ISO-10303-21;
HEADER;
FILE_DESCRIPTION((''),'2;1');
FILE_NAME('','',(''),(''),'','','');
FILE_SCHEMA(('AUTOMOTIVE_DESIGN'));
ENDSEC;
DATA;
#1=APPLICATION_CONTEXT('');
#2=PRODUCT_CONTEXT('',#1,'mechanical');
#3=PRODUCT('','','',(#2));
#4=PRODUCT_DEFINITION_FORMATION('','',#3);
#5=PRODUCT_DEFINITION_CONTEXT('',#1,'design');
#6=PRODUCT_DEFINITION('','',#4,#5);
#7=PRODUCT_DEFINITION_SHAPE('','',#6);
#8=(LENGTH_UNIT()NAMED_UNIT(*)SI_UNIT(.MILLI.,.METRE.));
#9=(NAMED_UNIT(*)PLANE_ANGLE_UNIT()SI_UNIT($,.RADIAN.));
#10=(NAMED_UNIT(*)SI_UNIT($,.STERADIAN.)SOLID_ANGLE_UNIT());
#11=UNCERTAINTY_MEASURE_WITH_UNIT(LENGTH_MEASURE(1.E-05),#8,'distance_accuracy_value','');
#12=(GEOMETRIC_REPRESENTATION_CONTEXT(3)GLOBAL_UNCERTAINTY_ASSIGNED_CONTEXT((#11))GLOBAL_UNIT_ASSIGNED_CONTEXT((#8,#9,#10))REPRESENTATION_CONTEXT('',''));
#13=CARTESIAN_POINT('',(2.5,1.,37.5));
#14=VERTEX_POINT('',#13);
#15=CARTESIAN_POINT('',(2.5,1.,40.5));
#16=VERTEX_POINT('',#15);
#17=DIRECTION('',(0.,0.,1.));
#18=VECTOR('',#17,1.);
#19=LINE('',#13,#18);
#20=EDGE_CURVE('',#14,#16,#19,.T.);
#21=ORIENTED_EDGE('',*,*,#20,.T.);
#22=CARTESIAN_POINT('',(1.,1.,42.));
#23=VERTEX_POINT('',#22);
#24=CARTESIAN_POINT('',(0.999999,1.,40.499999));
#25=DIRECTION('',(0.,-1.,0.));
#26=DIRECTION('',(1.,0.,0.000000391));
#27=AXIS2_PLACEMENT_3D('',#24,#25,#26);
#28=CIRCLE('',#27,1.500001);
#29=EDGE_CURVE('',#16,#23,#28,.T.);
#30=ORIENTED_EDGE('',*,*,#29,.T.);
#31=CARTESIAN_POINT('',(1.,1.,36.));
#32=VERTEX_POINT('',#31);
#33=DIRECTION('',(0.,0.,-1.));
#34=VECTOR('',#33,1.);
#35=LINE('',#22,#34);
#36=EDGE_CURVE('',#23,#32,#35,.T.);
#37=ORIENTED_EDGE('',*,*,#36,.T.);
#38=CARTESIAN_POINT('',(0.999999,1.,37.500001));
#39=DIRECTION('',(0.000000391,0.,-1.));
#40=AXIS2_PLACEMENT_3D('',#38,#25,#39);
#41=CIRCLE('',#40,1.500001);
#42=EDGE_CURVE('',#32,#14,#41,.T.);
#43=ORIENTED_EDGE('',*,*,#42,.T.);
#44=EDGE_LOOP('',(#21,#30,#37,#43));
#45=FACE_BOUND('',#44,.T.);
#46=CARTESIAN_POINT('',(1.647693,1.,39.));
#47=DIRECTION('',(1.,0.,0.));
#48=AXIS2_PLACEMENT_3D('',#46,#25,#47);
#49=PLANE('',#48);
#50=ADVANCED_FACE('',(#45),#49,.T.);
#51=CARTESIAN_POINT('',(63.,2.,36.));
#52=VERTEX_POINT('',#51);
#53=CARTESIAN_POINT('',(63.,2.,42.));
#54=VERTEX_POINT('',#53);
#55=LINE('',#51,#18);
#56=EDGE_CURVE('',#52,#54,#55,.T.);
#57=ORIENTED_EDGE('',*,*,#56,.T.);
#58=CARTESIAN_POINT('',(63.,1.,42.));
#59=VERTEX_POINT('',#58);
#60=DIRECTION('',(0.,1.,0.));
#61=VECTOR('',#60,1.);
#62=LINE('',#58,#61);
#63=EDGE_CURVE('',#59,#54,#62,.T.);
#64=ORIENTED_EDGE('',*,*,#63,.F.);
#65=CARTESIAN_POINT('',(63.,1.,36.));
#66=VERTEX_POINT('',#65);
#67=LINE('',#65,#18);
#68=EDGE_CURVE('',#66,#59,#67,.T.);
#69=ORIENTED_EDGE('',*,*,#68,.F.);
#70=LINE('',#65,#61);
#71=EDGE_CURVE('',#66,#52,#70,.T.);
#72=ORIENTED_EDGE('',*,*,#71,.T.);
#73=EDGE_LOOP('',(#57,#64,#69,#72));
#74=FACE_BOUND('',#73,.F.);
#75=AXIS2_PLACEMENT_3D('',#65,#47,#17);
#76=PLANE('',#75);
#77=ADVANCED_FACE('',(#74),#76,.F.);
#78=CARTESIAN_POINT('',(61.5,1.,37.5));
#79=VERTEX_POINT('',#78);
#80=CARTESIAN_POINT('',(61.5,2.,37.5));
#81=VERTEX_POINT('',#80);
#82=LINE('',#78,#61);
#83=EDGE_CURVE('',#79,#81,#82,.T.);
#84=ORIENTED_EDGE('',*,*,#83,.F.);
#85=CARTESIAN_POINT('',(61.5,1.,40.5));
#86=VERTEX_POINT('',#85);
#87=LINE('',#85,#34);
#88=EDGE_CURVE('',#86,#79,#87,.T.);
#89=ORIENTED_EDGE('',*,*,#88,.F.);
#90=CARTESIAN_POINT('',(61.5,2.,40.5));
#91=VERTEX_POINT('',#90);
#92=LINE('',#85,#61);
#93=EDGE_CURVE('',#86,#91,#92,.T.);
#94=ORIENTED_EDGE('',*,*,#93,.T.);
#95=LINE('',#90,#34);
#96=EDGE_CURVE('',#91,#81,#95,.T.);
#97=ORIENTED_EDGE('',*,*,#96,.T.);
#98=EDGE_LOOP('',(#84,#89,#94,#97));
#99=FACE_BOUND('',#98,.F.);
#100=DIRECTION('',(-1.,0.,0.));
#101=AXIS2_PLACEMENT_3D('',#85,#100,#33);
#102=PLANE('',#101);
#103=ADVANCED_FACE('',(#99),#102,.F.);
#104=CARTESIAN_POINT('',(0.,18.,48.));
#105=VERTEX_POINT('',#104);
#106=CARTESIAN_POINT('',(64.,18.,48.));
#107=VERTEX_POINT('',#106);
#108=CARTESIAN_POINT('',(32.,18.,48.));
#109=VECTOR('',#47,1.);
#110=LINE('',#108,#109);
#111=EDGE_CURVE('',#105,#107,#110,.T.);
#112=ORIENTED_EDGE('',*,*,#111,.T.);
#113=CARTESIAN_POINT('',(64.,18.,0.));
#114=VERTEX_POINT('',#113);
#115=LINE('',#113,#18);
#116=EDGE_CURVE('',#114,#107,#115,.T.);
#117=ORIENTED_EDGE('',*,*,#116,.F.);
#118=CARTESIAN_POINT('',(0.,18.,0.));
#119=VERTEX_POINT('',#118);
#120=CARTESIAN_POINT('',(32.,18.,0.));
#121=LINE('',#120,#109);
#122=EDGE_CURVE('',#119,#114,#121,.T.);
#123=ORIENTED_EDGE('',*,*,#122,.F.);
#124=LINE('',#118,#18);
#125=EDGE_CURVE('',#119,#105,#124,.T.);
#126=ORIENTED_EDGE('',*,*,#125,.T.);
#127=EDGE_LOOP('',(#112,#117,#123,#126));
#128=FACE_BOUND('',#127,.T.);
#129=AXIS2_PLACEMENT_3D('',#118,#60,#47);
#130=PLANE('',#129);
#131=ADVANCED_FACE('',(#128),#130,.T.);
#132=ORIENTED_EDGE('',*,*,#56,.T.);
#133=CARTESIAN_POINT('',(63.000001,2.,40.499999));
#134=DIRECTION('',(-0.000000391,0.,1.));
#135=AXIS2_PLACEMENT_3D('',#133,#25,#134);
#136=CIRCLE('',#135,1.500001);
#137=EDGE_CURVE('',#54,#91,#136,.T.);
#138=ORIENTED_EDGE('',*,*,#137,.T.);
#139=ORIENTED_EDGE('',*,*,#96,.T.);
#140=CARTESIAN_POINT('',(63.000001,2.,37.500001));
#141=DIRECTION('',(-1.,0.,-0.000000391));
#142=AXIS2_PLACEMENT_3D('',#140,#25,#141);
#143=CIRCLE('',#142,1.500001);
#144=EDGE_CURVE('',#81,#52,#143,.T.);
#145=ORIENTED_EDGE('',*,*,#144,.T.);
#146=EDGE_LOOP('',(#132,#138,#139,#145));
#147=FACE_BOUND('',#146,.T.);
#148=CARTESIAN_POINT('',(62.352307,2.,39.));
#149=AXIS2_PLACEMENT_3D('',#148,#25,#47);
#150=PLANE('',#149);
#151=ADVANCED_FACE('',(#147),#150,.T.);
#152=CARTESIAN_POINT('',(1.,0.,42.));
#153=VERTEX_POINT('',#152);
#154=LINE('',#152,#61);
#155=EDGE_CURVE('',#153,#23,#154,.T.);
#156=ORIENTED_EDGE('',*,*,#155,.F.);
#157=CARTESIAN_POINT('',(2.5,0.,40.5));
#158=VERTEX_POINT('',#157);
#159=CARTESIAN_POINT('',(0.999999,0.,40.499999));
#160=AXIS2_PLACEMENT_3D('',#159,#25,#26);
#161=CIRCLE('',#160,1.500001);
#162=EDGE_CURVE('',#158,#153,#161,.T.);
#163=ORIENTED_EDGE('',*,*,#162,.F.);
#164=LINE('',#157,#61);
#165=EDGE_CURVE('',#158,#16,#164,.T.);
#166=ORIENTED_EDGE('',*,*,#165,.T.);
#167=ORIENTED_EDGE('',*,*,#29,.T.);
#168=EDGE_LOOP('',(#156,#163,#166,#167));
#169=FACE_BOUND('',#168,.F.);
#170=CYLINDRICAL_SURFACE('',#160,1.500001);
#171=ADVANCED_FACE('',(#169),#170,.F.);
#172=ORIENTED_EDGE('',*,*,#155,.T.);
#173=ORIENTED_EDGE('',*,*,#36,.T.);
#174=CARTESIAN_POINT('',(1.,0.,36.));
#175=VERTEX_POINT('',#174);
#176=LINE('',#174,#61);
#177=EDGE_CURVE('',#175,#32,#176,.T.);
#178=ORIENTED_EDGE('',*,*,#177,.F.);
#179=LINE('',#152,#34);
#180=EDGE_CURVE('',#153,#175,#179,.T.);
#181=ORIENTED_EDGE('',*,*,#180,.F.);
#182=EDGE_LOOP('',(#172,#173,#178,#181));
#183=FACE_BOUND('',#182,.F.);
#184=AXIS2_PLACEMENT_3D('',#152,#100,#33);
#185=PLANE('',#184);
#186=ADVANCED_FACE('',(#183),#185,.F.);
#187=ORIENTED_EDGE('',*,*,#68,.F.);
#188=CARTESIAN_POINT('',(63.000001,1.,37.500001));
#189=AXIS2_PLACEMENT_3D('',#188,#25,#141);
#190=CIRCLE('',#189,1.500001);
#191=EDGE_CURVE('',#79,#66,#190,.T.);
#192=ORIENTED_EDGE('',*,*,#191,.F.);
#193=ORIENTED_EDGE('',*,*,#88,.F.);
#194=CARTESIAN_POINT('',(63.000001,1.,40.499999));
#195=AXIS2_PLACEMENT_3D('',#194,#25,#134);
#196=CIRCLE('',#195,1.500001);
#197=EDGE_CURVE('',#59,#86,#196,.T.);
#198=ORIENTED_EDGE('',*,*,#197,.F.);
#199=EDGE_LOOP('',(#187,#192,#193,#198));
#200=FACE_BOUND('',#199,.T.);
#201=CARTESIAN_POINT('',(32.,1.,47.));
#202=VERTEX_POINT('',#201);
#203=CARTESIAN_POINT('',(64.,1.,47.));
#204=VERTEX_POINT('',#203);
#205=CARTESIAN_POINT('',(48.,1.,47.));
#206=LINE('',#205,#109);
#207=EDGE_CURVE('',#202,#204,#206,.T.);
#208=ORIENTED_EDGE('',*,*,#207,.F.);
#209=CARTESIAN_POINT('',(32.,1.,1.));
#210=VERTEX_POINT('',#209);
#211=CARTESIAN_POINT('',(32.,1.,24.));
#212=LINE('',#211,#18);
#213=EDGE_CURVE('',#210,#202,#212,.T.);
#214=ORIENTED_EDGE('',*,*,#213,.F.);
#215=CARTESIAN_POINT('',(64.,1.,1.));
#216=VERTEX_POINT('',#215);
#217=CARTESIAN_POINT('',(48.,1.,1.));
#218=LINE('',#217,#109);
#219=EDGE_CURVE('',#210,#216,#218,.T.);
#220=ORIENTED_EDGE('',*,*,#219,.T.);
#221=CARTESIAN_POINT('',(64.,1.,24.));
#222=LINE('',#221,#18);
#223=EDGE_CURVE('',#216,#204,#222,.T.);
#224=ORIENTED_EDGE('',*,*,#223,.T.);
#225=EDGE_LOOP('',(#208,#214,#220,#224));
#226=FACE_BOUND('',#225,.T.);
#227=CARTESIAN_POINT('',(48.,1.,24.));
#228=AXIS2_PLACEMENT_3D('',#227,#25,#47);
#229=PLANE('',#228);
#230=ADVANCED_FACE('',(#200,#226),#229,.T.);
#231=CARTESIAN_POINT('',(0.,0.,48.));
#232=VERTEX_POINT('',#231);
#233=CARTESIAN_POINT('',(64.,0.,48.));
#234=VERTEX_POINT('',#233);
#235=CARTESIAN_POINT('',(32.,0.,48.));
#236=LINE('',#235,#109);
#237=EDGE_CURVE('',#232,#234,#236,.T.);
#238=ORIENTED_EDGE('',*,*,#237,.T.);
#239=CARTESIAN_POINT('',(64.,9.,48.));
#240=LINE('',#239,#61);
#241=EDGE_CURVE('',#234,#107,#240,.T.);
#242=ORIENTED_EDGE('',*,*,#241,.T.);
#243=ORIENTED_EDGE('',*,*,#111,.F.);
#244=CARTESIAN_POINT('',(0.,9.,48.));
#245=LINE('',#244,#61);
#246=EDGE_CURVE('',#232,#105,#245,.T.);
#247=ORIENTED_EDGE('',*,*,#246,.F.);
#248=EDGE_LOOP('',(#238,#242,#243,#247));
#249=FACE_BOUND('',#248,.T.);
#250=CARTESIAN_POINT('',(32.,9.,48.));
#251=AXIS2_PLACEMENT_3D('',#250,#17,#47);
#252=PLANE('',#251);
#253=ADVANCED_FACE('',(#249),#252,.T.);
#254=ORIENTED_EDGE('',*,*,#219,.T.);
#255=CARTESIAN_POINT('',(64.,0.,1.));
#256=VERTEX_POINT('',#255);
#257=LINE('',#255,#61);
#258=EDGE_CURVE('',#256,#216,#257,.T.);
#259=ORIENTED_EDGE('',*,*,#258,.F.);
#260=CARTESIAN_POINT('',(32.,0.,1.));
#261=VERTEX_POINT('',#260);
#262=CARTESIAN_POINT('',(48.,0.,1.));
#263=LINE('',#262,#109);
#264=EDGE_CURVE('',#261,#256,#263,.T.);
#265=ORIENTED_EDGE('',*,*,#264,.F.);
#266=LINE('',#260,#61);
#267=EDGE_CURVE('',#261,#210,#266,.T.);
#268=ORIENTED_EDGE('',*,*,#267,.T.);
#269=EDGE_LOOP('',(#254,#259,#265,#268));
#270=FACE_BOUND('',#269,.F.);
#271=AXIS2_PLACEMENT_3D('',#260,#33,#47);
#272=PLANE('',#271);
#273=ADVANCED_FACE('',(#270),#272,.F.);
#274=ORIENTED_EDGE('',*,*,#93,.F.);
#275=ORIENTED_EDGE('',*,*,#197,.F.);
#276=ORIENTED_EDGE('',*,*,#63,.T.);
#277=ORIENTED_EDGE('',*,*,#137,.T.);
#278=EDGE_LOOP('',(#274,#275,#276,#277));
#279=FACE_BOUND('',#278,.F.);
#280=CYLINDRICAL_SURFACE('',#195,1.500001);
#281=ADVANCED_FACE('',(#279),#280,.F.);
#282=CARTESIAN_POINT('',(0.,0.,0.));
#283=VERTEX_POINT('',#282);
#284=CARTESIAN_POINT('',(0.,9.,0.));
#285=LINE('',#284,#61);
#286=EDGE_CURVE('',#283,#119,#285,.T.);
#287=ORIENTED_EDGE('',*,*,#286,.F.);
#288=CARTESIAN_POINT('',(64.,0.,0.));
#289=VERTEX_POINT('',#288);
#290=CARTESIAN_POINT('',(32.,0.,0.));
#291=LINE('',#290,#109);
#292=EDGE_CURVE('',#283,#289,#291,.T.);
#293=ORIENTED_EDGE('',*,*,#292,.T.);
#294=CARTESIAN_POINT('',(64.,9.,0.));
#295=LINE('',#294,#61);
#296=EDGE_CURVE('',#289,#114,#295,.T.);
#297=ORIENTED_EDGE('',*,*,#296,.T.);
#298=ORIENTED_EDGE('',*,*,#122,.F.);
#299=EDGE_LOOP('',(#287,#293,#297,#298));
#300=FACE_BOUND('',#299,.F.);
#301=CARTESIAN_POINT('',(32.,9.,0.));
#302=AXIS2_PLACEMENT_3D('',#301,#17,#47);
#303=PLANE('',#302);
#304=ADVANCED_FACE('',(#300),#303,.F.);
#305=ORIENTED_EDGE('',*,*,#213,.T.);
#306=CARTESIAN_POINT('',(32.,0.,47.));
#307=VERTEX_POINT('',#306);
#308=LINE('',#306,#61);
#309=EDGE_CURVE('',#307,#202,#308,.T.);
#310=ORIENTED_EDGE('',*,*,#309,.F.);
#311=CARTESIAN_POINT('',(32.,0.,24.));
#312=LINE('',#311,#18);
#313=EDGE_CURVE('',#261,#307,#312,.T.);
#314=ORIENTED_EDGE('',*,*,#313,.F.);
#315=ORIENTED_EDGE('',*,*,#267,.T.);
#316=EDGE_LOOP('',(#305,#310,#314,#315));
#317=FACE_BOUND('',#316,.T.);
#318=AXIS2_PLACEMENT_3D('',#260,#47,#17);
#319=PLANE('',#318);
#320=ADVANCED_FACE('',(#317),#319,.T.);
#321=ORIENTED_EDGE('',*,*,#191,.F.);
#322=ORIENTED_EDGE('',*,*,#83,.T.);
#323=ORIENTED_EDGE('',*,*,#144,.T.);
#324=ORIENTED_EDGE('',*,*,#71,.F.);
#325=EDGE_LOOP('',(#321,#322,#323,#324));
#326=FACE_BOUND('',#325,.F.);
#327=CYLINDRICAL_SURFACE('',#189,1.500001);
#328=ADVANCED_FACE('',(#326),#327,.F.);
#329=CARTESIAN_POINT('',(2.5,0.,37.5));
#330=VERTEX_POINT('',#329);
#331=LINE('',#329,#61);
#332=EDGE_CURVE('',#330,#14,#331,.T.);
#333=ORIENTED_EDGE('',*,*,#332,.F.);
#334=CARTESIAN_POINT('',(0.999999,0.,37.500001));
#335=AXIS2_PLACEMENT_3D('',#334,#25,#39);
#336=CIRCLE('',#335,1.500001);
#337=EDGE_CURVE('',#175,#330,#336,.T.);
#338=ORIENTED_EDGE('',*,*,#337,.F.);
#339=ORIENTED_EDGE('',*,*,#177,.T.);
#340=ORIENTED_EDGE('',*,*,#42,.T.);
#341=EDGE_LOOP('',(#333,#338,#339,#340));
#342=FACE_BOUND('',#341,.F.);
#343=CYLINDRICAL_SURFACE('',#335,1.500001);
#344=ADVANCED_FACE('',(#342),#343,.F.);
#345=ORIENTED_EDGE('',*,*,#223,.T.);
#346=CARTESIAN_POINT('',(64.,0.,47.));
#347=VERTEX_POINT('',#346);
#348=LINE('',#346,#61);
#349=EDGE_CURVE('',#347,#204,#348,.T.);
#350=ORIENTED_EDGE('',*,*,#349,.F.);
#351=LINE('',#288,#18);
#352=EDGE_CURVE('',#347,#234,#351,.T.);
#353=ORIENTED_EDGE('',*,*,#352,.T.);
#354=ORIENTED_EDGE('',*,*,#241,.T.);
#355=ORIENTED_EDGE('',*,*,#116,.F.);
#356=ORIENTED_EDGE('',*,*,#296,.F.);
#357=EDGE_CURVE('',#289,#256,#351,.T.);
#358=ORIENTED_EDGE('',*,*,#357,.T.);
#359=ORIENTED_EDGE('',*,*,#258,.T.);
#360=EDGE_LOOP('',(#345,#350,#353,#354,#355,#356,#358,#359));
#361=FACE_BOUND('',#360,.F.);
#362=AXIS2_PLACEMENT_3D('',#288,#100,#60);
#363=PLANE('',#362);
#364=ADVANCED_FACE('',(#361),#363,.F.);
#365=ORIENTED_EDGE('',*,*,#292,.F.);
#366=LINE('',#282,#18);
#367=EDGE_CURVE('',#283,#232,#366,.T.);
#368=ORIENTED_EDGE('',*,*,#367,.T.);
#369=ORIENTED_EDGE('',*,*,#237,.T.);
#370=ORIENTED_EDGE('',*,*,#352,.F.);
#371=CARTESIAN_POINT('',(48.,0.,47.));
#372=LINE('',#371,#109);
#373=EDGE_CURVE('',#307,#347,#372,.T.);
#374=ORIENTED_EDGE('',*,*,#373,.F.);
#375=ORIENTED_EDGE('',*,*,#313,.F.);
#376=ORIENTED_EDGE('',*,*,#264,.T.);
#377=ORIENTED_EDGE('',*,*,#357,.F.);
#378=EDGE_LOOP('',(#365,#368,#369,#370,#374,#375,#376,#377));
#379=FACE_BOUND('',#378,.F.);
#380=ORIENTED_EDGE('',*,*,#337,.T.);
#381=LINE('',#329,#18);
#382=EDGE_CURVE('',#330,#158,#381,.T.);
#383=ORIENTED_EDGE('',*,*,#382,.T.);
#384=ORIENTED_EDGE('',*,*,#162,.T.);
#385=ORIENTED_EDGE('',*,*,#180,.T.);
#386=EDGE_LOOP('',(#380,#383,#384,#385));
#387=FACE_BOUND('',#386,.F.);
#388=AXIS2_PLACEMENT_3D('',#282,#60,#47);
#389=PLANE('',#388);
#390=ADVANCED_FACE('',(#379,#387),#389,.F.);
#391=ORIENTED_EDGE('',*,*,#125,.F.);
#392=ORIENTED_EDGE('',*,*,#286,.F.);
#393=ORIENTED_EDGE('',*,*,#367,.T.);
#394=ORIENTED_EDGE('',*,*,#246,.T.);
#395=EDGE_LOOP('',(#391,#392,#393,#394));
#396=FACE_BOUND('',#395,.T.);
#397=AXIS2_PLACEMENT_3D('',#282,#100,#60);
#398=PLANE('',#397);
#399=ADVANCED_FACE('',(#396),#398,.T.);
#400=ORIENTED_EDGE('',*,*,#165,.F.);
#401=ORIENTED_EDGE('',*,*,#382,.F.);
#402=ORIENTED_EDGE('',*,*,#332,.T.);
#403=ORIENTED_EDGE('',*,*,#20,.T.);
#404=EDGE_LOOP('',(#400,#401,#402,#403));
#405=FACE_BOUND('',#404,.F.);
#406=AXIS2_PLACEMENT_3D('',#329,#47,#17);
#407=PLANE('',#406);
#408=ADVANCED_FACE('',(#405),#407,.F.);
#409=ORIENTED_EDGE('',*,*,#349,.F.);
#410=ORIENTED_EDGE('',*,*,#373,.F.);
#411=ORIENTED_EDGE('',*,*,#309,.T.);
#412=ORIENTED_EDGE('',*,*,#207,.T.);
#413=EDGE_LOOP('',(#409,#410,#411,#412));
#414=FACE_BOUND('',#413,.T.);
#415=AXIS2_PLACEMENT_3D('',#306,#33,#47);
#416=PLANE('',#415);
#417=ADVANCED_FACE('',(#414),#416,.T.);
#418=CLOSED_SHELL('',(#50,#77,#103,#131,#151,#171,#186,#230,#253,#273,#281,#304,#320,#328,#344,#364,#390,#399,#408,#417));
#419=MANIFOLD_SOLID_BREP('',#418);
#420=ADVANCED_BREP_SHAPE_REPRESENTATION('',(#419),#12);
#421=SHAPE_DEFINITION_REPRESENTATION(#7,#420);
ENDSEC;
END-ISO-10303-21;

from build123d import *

# Parameters (mm, degrees)
F0_W     = 64
F0_H     = 18
F1_DEPTH = 48
F2_W     = 32
F2_H     = 46
F3_DEPTH = 1
F5_DEPTH = 1
F7_DEPTH = 1


with BuildPart() as f1:
    # F0 (on Top) → F1 (new body)
    with BuildSketch(Plane.XY):
        with Locations((32, 9)):
            Rectangle(F0_W, F0_H)
    extrude(amount=F1_DEPTH)

    # F2 (on face) → F3 (cut)
    with BuildSketch(Plane.XZ):
        with Locations((48, 24)):
            Rectangle(F2_W, F2_H)
    extrude(amount=-F3_DEPTH, mode=Mode.SUBTRACT)

    # F4 (on face) → F5 (cut)
    with BuildSketch(Plane.XZ.offset(-1)):
        with BuildLine():
            ThreePointArc((63, 42), (61.93934, 41.56066), (61.5, 40.5))
            Line((61.5, 40.5), (61.5, 37.5))
            ThreePointArc((61.5, 37.5), (61.93934, 36.43934), (63, 36))
            Line((63, 36), (63, 42))
        make_face()
    extrude(amount=-F5_DEPTH, mode=Mode.SUBTRACT)

    # F6 (on face) → F7 (cut)
    with BuildSketch(Plane.XZ):
        with BuildLine():
            ThreePointArc((2.5, 40.5), (2.06066, 41.56066), (1, 42))
            Line((1, 42), (1, 36))
            ThreePointArc((1, 36), (2.06066, 36.43934), (2.5, 37.5))
            Line((2.5, 37.5), (2.5, 40.5))
        make_face()
    extrude(amount=-F7_DEPTH, mode=Mode.SUBTRACT)


solid = f1.part
